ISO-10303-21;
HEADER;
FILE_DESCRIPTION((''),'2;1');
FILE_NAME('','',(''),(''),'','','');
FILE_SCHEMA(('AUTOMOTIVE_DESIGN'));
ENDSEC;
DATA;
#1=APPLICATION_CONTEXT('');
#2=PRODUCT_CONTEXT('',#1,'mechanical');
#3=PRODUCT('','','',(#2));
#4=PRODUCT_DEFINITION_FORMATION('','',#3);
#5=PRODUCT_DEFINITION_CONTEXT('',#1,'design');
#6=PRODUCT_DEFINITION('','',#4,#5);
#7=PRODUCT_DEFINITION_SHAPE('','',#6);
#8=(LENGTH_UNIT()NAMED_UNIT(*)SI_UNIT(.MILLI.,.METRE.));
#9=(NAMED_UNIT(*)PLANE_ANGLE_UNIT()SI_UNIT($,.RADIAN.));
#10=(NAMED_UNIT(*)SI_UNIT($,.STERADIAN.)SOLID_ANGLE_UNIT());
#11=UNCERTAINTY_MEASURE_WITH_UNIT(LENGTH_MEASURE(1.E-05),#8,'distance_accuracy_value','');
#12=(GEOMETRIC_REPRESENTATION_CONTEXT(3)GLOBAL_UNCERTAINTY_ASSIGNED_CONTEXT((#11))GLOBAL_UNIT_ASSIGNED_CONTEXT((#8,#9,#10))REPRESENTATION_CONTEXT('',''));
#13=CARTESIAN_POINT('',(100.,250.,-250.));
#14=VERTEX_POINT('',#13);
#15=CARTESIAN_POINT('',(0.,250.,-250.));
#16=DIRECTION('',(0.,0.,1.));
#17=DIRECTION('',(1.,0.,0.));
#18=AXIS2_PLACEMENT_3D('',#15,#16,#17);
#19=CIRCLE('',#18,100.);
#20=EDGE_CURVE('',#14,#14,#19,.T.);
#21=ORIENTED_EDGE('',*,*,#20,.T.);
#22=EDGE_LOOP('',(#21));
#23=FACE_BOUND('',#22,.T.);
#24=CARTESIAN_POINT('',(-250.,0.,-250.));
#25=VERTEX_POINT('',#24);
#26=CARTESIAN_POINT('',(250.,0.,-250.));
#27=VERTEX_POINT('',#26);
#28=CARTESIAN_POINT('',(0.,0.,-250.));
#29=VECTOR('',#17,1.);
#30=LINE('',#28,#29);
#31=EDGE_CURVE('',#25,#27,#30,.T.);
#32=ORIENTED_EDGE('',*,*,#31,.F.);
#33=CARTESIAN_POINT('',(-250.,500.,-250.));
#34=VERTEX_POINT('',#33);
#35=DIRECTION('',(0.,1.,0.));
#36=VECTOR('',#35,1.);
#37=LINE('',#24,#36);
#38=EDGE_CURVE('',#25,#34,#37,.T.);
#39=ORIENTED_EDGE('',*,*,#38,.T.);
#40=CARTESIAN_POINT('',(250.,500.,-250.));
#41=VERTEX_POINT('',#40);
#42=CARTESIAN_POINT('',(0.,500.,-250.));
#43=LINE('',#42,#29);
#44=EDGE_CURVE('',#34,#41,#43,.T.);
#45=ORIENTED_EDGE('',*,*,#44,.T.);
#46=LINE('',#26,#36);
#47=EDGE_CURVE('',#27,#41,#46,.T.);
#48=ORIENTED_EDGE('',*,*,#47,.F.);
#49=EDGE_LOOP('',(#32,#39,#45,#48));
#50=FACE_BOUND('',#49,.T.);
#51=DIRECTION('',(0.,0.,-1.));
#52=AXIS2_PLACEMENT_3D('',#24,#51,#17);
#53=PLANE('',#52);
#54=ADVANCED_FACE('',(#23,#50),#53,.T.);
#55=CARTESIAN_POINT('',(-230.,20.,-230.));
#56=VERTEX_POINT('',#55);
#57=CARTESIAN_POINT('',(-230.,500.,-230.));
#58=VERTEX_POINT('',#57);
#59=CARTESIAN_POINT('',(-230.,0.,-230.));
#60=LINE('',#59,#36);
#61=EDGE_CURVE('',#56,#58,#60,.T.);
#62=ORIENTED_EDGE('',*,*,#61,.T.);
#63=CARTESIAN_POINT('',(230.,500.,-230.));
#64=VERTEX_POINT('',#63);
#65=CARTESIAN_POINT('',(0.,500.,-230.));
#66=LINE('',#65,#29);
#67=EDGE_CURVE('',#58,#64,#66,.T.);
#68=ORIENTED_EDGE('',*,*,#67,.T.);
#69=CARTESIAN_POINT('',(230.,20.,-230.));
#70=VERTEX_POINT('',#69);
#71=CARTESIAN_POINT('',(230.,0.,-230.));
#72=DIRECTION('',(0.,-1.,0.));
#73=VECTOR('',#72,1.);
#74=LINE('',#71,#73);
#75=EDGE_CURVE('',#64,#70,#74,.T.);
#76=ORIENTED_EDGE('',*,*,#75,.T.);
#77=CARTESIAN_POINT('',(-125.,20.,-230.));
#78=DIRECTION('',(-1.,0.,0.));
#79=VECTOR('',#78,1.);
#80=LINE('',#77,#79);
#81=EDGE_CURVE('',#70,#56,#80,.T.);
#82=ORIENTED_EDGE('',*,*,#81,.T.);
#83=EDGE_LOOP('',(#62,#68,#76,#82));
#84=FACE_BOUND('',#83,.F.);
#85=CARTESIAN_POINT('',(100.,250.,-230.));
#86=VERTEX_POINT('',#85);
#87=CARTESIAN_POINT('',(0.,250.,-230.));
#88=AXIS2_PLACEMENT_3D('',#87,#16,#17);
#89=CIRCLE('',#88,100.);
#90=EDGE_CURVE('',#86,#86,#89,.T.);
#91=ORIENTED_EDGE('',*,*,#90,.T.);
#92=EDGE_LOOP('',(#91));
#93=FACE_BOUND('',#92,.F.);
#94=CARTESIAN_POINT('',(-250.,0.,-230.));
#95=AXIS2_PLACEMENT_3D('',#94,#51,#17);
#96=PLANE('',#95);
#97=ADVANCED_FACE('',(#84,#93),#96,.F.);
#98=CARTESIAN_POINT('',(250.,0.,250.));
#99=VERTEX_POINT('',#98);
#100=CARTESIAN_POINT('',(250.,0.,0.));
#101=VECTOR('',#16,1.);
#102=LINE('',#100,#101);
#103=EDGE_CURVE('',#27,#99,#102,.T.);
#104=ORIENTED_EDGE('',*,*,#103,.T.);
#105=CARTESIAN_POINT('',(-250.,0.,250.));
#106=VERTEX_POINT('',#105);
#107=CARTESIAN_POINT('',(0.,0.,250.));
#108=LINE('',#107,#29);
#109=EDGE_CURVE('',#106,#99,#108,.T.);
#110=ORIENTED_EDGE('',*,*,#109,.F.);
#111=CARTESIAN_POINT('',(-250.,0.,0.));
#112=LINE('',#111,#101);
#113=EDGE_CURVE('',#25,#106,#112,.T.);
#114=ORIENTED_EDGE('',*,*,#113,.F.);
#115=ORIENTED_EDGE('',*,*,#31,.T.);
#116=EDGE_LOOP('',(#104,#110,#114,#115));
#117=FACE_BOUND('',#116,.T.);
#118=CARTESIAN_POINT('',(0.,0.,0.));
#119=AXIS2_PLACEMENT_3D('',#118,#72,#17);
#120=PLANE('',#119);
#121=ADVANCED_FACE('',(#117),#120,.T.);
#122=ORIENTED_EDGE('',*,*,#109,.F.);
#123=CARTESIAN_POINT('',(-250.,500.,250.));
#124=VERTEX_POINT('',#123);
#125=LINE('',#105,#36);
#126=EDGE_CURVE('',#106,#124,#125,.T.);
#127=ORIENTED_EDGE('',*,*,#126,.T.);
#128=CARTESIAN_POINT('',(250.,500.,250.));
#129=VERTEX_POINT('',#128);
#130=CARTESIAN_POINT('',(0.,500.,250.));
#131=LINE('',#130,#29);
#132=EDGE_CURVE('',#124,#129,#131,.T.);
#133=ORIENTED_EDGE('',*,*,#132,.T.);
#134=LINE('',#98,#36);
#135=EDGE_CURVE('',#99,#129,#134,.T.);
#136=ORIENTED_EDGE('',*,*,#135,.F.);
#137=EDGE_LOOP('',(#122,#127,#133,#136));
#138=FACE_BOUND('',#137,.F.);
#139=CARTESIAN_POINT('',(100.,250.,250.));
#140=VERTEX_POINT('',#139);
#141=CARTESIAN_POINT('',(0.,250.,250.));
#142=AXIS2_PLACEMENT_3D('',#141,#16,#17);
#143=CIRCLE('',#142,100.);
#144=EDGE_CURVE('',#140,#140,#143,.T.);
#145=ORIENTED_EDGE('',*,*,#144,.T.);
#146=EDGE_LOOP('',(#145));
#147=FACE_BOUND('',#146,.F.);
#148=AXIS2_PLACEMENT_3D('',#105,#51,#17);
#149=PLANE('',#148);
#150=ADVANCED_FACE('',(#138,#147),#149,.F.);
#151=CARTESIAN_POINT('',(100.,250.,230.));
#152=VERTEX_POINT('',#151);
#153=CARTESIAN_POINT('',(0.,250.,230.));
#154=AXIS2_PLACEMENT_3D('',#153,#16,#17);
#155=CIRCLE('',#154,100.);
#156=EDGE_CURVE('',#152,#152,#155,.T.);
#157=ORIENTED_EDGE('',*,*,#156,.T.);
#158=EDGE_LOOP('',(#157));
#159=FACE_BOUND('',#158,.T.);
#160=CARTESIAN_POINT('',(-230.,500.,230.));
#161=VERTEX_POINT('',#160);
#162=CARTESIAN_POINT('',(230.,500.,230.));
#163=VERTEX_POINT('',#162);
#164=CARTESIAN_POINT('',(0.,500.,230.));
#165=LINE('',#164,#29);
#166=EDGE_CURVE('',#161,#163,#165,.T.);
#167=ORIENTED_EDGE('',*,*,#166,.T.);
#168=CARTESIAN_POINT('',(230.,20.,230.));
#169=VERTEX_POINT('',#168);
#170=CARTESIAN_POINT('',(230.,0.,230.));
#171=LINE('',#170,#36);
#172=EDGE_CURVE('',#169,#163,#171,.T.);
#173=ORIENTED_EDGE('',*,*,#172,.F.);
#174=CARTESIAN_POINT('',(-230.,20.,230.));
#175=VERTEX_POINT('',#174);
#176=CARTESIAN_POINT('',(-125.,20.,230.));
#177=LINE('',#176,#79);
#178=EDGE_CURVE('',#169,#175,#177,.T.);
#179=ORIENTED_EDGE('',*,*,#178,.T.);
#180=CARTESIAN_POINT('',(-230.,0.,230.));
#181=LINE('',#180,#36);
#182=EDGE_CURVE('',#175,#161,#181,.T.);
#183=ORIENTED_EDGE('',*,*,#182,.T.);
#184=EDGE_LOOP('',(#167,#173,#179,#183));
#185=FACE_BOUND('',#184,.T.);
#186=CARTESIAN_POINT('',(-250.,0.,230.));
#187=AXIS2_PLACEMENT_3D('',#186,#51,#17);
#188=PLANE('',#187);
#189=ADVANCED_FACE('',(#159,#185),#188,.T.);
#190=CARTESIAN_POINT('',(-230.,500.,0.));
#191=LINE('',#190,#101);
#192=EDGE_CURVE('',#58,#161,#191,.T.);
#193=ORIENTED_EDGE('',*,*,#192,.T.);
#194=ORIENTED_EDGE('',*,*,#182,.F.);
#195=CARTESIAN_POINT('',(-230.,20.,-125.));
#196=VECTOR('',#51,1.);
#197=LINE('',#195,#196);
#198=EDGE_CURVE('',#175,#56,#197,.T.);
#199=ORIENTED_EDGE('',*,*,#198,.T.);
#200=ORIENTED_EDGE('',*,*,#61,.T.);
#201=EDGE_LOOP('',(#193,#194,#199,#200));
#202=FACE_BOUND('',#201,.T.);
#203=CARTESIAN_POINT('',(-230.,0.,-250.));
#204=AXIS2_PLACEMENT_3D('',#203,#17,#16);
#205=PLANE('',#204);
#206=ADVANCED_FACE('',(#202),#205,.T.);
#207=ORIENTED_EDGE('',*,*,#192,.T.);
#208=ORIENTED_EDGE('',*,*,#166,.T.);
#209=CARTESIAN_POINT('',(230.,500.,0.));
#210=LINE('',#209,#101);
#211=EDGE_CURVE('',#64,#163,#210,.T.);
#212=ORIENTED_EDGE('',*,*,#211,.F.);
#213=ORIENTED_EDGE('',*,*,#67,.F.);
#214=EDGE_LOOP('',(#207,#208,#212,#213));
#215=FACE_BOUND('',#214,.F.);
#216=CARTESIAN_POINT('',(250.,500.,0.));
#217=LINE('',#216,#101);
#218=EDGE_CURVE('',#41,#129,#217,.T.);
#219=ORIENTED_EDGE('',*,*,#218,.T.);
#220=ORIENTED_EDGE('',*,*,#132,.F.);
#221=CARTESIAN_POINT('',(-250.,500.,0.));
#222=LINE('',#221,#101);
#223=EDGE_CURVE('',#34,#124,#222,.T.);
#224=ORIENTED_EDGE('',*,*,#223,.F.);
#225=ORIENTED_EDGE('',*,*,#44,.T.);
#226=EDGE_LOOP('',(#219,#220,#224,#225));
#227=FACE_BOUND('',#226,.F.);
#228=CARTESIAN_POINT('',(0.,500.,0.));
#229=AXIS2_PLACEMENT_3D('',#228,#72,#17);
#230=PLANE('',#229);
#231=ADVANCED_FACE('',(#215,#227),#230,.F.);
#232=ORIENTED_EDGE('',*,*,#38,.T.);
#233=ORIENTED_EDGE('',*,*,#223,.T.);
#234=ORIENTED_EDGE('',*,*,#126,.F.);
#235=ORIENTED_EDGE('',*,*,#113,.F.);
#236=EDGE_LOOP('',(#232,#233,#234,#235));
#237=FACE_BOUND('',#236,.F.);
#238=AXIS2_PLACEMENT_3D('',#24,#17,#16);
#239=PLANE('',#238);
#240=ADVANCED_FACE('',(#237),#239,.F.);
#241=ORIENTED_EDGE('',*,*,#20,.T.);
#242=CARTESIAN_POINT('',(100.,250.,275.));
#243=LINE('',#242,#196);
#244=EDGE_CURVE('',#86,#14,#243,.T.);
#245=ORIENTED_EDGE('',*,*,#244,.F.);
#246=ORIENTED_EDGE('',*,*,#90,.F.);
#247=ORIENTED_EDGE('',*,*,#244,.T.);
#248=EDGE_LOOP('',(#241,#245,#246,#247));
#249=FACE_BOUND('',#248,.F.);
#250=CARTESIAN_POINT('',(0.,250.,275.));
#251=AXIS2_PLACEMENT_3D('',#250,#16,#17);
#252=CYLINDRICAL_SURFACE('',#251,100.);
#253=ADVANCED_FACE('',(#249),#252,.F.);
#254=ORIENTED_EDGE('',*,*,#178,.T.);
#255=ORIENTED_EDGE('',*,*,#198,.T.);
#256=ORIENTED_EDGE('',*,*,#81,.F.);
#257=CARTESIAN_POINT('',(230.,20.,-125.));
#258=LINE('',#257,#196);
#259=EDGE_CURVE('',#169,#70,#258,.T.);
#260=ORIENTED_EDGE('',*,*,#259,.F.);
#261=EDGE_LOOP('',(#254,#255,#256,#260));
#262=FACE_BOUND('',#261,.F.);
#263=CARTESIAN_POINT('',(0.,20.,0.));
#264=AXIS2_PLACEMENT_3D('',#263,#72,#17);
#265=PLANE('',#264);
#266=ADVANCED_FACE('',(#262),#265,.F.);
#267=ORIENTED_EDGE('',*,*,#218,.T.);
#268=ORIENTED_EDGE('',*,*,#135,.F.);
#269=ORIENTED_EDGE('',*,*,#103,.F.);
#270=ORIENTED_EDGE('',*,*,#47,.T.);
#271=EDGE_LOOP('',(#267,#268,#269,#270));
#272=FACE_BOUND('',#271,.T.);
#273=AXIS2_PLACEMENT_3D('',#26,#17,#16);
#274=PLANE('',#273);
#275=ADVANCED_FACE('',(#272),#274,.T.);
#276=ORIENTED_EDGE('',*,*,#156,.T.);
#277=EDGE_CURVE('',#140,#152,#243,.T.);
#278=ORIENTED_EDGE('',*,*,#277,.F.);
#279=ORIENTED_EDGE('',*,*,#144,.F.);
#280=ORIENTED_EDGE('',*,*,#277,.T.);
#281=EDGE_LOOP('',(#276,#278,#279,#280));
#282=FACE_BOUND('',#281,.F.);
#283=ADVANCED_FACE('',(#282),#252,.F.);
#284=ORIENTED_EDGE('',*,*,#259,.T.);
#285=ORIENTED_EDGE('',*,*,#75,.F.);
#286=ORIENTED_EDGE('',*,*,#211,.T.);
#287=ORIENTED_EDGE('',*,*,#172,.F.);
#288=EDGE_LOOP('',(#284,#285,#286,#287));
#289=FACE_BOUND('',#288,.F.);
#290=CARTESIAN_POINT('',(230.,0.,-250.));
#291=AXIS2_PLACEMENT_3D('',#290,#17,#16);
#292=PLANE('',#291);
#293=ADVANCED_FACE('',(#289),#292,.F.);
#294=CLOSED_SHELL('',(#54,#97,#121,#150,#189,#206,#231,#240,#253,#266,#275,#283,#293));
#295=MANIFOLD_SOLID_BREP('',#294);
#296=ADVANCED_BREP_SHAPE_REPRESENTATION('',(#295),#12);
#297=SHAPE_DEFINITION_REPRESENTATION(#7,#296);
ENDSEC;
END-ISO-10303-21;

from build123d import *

# Parameters (mm, degrees)
F0_W      = 500
F0_H      = 500
F1_DEPTH  = 500
F2_T      = -20
F3_R      = 100
F4_DEPTH  = 25
F4_FACE_R = 100
F5_DEPTH  = 525.001


with BuildPart() as f1:
    # F0 (on Front) → F1 (new body)
    with BuildSketch(Plane.XZ):
        Rectangle(F0_W, F0_H)
    extrude(amount=-F1_DEPTH)

    # F2
    f2_openings = [f1.faces().sort_by_distance(p)[0] for p in [
        (0, 500, 0),
    ]]
    offset(amount=F2_T, openings=f2_openings)

    # F3 (on face) → F4 (join)
    with BuildSketch(Plane.XY.offset(250)):
        with Locations((0, 250)):
            Circle(F3_R)
    extrude(amount=F4_DEPTH)

    # F4_face (on face) → F5 (cut, through all)
    with BuildSketch(Plane(origin=(0, 250, 275), x_dir=(1, 0, 0), z_dir=(0, 0, 1))):
        Circle(F4_FACE_R)
    extrude(amount=-F5_DEPTH, mode=Mode.SUBTRACT)


solid = f1.part
